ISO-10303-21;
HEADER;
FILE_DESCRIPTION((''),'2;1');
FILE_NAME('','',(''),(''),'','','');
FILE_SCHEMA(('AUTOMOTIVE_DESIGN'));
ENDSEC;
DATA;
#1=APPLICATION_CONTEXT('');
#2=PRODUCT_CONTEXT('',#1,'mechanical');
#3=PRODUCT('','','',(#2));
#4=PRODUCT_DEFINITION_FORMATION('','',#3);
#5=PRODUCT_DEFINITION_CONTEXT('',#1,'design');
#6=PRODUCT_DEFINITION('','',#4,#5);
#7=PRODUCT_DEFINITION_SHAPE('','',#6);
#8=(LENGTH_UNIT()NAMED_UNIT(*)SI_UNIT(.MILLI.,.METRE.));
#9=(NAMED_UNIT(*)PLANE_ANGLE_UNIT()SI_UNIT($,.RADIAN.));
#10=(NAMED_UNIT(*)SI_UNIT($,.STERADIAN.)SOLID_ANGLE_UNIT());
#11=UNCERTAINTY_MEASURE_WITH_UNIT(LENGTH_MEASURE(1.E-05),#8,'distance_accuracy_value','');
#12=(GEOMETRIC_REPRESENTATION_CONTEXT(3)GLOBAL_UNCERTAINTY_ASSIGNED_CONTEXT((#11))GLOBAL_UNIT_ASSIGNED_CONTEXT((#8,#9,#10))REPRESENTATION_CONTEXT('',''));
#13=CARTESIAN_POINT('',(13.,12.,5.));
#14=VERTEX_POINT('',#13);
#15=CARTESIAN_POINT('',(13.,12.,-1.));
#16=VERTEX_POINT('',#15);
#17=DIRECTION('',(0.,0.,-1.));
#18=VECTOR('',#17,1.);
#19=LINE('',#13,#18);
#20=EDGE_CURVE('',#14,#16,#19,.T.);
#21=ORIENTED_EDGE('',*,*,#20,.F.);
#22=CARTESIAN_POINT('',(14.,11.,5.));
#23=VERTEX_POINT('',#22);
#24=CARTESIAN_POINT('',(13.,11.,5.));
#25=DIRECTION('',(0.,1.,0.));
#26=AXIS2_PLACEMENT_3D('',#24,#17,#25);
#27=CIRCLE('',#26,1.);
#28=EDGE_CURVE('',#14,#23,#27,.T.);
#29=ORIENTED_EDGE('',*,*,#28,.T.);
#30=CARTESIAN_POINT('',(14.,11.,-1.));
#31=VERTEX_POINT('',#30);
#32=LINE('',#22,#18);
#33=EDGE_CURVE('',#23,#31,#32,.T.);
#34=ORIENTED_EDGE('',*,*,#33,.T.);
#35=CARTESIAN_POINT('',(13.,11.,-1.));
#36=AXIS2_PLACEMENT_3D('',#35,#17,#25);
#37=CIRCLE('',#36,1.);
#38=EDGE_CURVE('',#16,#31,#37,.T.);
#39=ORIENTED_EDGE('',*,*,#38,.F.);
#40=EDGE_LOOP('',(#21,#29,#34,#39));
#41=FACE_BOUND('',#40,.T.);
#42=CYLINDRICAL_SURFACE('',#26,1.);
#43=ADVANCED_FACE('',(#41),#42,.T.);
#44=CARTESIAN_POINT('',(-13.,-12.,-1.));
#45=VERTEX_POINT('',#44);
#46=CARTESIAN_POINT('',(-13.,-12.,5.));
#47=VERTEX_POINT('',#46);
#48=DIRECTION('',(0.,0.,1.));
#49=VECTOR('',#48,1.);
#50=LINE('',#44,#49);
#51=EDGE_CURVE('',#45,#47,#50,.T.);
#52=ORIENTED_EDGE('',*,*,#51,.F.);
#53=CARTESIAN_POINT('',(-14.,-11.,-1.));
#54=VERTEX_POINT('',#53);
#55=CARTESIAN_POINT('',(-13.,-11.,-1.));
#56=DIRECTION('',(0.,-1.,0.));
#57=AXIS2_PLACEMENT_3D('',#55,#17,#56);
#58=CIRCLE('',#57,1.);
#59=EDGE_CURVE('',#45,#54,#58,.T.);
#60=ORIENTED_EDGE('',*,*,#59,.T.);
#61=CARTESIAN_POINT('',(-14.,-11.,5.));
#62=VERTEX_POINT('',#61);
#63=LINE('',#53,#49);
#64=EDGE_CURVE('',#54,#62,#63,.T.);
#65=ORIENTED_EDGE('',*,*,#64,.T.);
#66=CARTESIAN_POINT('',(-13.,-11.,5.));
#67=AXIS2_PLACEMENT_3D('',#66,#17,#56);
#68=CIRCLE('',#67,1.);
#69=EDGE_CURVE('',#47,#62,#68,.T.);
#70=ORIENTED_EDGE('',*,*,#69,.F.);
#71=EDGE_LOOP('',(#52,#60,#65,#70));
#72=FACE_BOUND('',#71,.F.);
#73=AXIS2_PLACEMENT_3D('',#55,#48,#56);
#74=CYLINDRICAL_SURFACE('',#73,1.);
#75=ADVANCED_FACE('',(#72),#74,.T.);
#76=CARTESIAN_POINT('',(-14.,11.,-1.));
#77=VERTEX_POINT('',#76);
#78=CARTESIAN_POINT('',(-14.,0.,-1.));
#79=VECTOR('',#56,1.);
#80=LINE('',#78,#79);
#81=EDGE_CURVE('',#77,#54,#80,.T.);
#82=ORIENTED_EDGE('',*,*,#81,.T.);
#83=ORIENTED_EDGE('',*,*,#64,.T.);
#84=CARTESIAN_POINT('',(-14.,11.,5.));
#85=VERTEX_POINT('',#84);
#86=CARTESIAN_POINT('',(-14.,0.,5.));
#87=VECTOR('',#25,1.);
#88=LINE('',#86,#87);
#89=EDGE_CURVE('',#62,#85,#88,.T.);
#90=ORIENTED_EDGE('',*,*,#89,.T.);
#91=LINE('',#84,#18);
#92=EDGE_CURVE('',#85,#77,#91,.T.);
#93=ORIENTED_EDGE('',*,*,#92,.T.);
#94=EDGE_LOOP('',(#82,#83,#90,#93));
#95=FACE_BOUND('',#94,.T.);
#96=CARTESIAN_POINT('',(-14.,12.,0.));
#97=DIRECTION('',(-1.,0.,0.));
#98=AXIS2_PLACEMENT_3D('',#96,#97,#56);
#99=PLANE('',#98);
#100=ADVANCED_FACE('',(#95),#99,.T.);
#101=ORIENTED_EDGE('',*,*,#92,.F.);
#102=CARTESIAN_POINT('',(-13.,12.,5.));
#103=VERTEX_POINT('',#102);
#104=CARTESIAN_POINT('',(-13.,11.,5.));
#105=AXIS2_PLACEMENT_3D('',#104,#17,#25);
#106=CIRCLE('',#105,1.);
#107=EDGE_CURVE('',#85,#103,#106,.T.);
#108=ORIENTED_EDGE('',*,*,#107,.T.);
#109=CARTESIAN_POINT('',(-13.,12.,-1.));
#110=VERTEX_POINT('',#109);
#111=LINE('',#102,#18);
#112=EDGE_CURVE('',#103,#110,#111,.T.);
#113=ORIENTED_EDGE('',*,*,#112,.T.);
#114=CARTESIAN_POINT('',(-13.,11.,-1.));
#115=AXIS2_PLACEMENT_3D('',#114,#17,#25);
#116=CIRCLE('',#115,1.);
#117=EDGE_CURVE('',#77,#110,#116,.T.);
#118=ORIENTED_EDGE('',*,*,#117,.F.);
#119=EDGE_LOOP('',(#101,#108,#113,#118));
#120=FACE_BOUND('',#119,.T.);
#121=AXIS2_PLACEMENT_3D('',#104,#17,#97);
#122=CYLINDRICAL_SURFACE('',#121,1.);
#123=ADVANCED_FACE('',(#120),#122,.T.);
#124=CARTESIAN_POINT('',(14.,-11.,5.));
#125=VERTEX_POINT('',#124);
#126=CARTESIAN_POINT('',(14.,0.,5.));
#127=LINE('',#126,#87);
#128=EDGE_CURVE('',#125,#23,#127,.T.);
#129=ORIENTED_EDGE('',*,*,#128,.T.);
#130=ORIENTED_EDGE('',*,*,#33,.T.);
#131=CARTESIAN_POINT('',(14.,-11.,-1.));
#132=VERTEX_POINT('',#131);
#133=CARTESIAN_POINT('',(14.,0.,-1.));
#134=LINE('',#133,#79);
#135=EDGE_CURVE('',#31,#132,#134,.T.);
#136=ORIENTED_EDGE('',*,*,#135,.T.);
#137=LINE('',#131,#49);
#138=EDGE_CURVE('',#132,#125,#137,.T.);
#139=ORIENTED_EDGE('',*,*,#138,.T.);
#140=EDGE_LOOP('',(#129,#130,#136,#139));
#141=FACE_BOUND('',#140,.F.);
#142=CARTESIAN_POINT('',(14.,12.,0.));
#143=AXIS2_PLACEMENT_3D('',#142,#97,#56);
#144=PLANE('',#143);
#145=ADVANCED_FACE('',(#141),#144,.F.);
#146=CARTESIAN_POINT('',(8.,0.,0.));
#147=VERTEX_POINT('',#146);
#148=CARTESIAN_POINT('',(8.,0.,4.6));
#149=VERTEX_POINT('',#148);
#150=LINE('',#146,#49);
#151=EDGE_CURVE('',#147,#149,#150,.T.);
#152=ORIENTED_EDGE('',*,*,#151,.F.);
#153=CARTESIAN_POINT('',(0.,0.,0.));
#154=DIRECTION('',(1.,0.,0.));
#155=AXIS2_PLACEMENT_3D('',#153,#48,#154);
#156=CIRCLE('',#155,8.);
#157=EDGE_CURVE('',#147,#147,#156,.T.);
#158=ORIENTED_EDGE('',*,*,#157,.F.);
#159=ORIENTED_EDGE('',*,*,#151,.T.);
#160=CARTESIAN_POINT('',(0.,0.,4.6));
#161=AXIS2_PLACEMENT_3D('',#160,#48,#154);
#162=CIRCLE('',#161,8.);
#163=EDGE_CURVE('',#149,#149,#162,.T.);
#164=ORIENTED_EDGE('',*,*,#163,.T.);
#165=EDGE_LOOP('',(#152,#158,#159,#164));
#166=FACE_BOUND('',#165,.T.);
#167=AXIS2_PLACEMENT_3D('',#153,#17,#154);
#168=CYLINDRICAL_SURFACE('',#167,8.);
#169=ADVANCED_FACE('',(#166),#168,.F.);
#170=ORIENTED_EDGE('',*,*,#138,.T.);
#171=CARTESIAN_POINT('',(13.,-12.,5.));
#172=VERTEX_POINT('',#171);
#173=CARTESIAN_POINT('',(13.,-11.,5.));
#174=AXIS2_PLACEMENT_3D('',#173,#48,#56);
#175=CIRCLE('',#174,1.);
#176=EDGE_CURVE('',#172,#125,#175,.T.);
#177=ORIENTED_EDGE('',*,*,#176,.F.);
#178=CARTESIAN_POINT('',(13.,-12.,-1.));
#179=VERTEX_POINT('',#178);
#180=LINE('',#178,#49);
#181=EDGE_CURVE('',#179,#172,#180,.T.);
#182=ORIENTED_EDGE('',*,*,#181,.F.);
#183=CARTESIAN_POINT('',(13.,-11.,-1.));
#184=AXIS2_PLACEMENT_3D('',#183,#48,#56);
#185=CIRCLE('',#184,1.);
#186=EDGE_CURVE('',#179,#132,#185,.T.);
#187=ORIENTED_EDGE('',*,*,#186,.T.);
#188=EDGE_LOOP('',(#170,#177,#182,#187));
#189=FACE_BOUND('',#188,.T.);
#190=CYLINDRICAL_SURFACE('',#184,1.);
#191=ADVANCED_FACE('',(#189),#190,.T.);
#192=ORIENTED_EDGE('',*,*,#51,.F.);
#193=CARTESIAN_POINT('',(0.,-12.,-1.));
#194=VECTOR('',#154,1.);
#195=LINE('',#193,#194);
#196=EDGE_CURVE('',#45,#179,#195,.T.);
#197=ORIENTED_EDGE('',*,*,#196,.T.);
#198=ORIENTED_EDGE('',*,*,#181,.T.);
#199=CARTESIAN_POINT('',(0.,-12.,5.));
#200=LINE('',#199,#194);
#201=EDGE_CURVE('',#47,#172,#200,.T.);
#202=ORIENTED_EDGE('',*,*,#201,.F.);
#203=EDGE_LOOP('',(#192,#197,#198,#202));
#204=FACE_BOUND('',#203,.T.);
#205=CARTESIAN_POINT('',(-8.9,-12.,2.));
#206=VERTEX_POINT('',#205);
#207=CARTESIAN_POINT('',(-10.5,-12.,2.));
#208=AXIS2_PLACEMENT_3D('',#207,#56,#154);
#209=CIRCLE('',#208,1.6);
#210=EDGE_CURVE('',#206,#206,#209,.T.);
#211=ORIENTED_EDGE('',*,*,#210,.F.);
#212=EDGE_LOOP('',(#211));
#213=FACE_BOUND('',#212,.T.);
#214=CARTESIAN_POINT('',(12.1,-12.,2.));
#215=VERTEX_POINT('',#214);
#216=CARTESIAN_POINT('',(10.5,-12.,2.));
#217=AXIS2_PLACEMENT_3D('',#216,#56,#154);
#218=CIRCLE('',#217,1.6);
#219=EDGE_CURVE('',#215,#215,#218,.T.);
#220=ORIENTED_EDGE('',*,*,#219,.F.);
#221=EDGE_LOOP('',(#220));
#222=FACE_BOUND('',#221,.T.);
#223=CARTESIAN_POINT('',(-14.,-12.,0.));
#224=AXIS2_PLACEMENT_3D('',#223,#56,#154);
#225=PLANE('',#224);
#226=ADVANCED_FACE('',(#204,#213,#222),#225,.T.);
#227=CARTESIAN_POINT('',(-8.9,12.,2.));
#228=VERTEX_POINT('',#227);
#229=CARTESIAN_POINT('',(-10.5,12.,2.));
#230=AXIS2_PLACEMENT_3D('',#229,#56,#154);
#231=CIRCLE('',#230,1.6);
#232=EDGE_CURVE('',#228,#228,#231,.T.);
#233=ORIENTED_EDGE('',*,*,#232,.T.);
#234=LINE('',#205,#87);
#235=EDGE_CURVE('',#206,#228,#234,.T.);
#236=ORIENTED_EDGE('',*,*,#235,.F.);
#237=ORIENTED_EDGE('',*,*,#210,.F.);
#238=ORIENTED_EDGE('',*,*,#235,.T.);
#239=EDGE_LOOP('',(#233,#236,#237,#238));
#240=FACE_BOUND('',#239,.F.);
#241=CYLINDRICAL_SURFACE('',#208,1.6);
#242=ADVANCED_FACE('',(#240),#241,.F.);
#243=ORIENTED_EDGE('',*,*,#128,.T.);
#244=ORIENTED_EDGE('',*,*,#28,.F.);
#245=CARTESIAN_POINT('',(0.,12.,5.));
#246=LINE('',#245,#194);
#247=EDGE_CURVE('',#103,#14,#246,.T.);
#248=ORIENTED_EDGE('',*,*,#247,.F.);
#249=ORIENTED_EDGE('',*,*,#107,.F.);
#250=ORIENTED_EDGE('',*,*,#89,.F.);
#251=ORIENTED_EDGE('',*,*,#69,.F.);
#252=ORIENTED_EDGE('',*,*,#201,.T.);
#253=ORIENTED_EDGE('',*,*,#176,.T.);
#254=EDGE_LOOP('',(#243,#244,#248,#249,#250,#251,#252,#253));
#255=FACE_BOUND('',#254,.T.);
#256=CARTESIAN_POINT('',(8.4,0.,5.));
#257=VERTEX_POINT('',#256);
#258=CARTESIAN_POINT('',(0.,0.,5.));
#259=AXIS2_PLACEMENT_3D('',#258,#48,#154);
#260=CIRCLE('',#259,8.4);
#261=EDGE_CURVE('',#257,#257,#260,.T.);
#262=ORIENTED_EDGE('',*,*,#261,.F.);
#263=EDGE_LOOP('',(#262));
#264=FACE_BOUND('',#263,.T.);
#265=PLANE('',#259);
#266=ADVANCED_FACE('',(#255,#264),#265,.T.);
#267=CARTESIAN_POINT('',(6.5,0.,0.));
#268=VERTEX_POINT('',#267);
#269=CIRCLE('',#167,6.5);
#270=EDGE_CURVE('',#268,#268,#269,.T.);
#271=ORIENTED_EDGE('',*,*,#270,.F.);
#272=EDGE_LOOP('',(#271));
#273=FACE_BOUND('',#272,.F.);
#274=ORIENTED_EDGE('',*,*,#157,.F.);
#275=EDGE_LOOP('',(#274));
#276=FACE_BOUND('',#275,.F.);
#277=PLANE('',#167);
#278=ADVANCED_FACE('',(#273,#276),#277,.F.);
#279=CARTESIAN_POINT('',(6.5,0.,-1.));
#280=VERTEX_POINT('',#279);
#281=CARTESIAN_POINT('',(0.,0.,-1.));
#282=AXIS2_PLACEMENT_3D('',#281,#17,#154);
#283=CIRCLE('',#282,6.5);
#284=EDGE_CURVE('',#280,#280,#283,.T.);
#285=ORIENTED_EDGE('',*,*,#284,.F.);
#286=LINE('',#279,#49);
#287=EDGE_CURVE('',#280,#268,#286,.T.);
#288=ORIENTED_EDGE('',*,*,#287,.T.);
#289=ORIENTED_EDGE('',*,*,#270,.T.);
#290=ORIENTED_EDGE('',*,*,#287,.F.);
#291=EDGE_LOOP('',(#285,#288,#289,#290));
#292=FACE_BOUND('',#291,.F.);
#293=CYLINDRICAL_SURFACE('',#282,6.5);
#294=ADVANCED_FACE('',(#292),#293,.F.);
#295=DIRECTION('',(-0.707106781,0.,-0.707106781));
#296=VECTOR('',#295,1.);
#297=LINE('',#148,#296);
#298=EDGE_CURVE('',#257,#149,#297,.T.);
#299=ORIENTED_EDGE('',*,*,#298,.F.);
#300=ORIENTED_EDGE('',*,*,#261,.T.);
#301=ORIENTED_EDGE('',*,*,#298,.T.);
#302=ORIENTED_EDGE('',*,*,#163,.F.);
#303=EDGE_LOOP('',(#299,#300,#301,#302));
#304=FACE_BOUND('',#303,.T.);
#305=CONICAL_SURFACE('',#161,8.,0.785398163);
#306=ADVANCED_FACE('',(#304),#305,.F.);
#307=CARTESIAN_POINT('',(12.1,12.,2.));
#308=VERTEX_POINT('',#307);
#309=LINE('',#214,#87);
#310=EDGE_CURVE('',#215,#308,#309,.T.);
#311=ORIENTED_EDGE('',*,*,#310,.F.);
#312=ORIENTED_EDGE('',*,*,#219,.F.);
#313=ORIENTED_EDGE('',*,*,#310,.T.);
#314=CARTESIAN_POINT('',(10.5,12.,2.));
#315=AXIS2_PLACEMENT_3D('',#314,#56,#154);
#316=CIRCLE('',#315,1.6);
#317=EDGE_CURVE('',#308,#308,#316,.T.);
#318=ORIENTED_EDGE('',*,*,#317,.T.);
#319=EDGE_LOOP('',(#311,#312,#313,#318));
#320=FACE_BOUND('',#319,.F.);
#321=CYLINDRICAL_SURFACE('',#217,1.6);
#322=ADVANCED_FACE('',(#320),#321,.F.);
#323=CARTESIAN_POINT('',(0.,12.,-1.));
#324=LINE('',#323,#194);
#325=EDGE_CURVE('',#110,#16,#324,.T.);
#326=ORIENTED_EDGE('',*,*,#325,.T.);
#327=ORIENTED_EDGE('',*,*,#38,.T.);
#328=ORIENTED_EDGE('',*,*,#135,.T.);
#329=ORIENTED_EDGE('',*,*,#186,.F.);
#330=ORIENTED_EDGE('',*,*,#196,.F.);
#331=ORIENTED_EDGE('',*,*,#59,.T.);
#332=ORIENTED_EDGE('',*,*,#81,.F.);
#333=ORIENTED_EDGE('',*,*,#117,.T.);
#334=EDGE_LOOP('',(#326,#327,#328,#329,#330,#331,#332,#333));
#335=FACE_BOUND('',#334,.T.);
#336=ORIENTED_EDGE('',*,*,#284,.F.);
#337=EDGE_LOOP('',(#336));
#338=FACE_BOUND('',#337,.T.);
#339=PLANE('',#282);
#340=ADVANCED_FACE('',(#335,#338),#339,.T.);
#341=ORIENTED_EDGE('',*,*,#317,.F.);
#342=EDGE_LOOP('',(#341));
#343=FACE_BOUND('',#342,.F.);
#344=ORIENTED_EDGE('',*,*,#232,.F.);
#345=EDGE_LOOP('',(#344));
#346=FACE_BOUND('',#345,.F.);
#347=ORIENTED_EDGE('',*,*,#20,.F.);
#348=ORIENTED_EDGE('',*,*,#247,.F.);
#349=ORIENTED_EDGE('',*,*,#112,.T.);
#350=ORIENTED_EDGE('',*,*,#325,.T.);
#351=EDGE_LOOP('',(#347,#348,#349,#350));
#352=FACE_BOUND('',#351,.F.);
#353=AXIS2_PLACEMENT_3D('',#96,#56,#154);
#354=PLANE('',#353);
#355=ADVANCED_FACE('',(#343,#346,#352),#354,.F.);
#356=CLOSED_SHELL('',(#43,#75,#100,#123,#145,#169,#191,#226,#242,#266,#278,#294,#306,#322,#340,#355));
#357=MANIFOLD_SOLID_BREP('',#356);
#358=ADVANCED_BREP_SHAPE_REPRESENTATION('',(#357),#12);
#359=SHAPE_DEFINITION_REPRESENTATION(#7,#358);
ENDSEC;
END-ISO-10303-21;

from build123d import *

# Parameters (mm, degrees)
SKETCH_W        = 28
SKETCH_H        = 24
SKETCH_R        = 8
PAD_DEPTH       = 5
SKETCH001_R     = 1.6
POCKET_DEPTH    = 24.001
SKETCH002_W     = 28
SKETCH002_H     = 24
PAD001_DEPTH    = 1
SKETCH003_R     = 6.5
POCKET001_DEPTH = 5
FILLET_R        = 1
FILLET001_R     = 1
FILLET002_R     = 1
FILLET003_R     = 1
CHAMFER_SIZE    = 0.4


with BuildPart() as part:
    # Sketch → Pad (new body)
    with BuildSketch(Plane.XY):
        Rectangle(SKETCH_W, SKETCH_H)
        Circle(SKETCH_R, mode=Mode.SUBTRACT)
    extrude(amount=PAD_DEPTH)

    # Sketch001 (on Face3 of Pad) → Pocket (cut, through all)
    with BuildSketch(Plane.XZ.offset(12)):
        with Locations((-10.5, 2)):
            Circle(SKETCH001_R)
        with Locations((10.5, 2)):
            Circle(SKETCH001_R)
    extrude(amount=-POCKET_DEPTH, mode=Mode.SUBTRACT)

    # Sketch002 (on Face3 of Pocket) → Pad001 (join)
    with BuildSketch(Plane(origin=(0, 0, 0), x_dir=(1, 0, 0), z_dir=(0, 0, -1))):
        Rectangle(SKETCH002_W, SKETCH002_H)
    extrude(amount=PAD001_DEPTH)

    # Sketch003 (on Face11 of Pad001) → Pocket001 (cut)
    with BuildSketch(Plane(origin=(0, 0, -1), x_dir=(1, 0, 0), z_dir=(0, 0, -1))):
        Circle(SKETCH003_R)
    extrude(amount=-POCKET001_DEPTH, mode=Mode.SUBTRACT)

    # Fillet
    fillet_edges = [part.edges().sort_by_distance(p)[0] for p in [
        (14, -12, -0.5),
        (14, -12, 2.5),
    ]]
    fillet(fillet_edges, radius=FILLET_R)

    # Fillet001
    fillet001_edges = [part.edges().sort_by_distance(p)[0] for p in [
        (-14, -12, -0.5),
        (-14, -12, 2.5),
    ]]
    fillet(fillet001_edges, radius=FILLET001_R)

    # Fillet002
    fillet002_edges = [part.edges().sort_by_distance(p)[0] for p in [
        (-14, 12, 2.5),
        (-14, 12, -0.5),
    ]]
    fillet(fillet002_edges, radius=FILLET002_R)

    # Fillet003
    fillet003_edges = [part.edges().sort_by_distance(p)[0] for p in [
        (14, 12, 2.5),
        (14, 12, -0.5),
    ]]
    fillet(fillet003_edges, radius=FILLET003_R)

    # Chamfer
    chamfer_edges = [part.edges().sort_by_distance(p)[0] for p in [
        (-8, 0, 5),
    ]]
    chamfer(chamfer_edges, length=CHAMFER_SIZE)


solid = part.part
